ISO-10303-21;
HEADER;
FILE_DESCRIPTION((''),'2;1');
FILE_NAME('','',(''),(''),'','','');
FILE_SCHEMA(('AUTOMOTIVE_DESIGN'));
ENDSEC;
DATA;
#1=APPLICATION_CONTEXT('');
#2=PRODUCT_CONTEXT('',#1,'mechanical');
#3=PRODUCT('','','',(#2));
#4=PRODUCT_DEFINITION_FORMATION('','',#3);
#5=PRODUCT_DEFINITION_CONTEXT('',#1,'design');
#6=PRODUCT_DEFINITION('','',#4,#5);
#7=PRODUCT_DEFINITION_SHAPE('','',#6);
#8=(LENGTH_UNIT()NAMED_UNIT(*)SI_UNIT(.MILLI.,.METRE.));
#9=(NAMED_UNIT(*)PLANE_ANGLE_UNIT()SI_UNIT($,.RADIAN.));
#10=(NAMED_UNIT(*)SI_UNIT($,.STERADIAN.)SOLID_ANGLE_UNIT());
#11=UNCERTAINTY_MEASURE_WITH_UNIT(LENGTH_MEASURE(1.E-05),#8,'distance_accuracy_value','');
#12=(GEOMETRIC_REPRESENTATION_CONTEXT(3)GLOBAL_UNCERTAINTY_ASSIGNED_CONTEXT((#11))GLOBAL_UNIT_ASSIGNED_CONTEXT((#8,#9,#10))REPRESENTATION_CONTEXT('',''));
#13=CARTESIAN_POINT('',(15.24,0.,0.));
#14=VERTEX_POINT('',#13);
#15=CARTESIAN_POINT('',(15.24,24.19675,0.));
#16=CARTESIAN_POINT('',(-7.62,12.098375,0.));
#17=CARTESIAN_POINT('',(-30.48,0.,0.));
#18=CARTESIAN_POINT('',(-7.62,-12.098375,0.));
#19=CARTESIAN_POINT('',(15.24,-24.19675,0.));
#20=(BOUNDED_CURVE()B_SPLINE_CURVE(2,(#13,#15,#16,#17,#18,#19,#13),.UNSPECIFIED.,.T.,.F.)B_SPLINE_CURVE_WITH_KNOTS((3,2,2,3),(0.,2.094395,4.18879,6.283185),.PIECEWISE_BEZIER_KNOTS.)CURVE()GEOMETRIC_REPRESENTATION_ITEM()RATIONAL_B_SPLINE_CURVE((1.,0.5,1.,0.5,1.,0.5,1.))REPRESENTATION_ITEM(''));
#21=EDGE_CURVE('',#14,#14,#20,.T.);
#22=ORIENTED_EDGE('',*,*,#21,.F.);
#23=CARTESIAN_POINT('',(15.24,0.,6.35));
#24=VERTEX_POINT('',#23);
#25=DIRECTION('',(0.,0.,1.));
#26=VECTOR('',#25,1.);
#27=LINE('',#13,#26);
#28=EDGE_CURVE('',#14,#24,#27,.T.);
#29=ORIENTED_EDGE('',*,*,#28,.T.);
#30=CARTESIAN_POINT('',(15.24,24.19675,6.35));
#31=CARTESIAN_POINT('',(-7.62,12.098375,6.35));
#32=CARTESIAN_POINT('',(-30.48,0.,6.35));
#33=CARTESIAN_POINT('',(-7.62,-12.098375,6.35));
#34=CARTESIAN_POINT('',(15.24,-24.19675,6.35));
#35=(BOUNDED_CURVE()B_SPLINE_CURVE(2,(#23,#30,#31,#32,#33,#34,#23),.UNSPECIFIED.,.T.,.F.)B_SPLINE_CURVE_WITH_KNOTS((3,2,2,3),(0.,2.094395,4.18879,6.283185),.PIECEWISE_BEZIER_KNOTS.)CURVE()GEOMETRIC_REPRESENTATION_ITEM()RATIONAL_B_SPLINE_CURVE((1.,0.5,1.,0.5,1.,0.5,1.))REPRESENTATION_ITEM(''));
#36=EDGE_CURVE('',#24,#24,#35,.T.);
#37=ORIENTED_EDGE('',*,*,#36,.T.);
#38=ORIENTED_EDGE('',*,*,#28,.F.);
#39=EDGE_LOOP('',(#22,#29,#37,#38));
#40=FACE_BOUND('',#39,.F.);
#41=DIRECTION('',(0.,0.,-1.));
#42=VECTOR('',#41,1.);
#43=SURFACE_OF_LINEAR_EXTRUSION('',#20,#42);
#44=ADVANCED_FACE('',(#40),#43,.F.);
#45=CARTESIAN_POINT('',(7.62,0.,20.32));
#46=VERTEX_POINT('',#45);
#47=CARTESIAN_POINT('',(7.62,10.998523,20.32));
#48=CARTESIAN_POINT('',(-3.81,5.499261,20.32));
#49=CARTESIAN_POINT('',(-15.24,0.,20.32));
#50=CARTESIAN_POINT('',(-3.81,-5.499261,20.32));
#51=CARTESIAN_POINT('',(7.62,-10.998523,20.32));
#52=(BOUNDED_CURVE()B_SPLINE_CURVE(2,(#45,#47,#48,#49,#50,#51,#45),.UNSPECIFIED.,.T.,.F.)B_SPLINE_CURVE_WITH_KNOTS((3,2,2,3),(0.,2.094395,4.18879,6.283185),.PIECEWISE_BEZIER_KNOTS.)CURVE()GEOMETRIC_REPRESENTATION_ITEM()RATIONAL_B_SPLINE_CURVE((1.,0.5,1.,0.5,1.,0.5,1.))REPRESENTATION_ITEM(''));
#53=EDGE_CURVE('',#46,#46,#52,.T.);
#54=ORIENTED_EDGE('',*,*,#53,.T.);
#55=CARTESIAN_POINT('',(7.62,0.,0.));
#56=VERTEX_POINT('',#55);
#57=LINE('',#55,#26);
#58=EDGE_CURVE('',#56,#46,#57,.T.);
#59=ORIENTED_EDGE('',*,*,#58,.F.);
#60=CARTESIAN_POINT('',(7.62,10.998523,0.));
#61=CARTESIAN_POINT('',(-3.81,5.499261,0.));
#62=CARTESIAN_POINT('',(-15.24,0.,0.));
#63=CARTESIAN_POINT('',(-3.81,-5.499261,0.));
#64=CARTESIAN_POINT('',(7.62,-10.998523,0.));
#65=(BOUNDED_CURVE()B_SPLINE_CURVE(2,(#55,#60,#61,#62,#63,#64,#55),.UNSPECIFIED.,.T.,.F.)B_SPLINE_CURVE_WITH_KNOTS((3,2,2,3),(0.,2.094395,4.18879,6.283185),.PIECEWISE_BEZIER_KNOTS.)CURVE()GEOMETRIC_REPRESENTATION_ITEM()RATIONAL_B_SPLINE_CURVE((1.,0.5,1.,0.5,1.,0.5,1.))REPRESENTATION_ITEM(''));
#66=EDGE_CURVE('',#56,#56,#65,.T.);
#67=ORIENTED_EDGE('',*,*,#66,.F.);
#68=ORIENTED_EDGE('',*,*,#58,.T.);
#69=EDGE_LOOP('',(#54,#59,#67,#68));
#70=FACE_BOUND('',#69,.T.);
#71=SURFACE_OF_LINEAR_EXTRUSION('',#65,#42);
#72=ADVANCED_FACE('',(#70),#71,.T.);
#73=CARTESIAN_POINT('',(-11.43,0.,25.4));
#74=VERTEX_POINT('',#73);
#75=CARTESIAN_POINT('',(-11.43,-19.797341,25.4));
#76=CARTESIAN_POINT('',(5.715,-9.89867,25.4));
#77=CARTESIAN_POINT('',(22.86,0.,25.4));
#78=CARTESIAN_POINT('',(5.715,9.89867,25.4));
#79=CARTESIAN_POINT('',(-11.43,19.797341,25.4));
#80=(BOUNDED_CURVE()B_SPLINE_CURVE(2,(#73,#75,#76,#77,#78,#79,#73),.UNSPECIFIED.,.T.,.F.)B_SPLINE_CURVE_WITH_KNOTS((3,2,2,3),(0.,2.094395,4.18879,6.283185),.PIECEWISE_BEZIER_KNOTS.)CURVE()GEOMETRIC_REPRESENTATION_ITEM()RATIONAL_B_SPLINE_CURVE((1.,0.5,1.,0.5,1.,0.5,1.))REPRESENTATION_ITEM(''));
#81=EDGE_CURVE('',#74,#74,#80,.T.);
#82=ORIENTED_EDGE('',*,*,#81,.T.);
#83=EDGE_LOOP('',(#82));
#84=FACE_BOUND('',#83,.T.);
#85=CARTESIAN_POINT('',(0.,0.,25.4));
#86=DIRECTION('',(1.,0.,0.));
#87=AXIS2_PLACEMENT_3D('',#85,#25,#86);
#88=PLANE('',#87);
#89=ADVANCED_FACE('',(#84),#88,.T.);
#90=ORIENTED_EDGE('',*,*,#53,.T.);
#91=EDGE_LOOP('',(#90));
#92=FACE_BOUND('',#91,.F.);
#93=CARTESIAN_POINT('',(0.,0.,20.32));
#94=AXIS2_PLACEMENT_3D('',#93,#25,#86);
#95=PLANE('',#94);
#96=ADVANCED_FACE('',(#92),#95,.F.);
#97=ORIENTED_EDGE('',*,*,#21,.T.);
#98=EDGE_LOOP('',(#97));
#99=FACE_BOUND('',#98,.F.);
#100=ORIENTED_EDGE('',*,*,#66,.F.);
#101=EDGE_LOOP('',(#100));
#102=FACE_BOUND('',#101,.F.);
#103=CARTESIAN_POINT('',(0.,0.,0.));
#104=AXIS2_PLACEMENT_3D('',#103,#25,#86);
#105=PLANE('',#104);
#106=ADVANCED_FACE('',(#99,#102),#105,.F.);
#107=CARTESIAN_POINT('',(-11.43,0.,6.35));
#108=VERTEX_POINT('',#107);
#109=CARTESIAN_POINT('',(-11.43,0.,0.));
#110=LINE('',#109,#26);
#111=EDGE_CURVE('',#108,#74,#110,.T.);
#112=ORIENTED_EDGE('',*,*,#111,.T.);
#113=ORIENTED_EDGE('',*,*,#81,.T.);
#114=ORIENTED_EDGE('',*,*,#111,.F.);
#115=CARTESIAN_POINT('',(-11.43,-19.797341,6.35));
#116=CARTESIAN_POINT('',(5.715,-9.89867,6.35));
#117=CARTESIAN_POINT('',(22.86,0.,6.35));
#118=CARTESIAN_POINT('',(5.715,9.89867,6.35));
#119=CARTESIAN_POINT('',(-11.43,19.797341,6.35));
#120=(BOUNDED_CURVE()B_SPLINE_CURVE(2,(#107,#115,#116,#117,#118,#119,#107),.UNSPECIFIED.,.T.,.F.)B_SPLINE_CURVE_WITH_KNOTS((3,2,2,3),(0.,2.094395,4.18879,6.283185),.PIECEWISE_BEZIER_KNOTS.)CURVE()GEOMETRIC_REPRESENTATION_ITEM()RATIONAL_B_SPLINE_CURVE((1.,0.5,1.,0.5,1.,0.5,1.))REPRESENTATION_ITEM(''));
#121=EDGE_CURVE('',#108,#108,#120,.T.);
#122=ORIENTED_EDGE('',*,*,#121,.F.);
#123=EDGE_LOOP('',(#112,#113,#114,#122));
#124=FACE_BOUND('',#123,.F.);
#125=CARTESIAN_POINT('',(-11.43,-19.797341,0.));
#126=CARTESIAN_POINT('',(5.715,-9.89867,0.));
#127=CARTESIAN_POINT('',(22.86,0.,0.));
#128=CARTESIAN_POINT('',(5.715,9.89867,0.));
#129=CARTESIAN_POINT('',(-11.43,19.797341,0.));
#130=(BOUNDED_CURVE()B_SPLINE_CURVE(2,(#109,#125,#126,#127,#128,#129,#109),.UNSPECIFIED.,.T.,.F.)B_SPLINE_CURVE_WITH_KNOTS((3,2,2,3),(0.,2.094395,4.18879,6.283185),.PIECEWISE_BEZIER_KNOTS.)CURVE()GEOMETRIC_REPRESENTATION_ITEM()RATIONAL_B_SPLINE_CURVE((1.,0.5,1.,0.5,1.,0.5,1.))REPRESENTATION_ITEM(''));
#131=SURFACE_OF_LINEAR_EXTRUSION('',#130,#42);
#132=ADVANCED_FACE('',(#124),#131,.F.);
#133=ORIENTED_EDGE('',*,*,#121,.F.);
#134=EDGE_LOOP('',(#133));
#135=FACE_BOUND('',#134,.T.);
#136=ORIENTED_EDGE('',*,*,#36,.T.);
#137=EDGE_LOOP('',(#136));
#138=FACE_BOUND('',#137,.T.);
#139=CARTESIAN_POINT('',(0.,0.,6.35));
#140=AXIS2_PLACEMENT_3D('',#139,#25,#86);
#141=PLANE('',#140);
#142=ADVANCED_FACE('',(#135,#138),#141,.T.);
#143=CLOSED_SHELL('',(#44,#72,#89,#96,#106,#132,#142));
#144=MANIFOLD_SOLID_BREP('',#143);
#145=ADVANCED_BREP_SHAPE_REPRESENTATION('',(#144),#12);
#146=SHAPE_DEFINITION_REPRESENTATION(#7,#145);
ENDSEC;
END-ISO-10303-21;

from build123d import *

# Parameters (mm, degrees)
F1_DEPTH = 25.4
F2_DEPTH = 6.35
F3_DEPTH = 20.32


with BuildPart() as f1:
    # F0 (on Top) → F1 (new body)
    with BuildSketch(Plane.XY):
        with BuildLine():
            add(Edge.make_bspline(
                [(-11.43, 0), (-11.43, -19.797341), (5.715, -9.89867), (22.86, 0), (5.715, 9.89867), (-11.43, 19.797341), (-11.43, 0)],
                knots=[0, 0, 0, 2.094395, 2.094395, 4.18879, 4.18879, 6.283185, 6.283185, 6.283185], degree=2, weights=[1, 0.5, 1, 0.5, 1, 0.5, 1]))
        make_face()
        with BuildLine():
            add(Edge.make_bspline(
                [(7.62, 0), (7.62, 10.998523), (-3.81, 5.499261), (-15.24, 0), (-3.81, -5.499261), (7.62, -10.998523), (7.62, 0)],
                knots=[0, 0, 0, 2.094395, 2.094395, 4.18879, 4.18879, 6.283185, 6.283185, 6.283185], degree=2, weights=[1, 0.5, 1, 0.5, 1, 0.5, 1]))
        make_face(mode=Mode.SUBTRACT)
        with BuildLine():
            add(Edge.make_bspline(
                [(7.62, 0), (7.62, 10.998523), (-3.81, 5.499261), (-15.24, 0), (-3.81, -5.499261), (7.62, -10.998523), (7.62, 0)],
                knots=[0, 0, 0, 2.094395, 2.094395, 4.18879, 4.18879, 6.283185, 6.283185, 6.283185], degree=2, weights=[1, 0.5, 1, 0.5, 1, 0.5, 1]))
        make_face()
    extrude(amount=F1_DEPTH)

    # F0 (on Top) → F2 (join)
    with BuildSketch(Plane.XY):
        with BuildLine():
            add(Edge.make_bspline(
                [(15.24, 0), (15.24, 24.19675), (-7.62, 12.098375), (-30.48, 0), (-7.62, -12.098375), (15.24, -24.19675), (15.24, 0)],
                knots=[0, 0, 0, 2.094395, 2.094395, 4.18879, 4.18879, 6.283185, 6.283185, 6.283185], degree=2, weights=[1, 0.5, 1, 0.5, 1, 0.5, 1]))
        make_face()
        with BuildLine():
            add(Edge.make_bspline(
                [(-11.43, 0), (-11.43, -19.797341), (5.715, -9.89867), (22.86, 0), (5.715, 9.89867), (-11.43, 19.797341), (-11.43, 0)],
                knots=[0, 0, 0, 2.094395, 2.094395, 4.18879, 4.18879, 6.283185, 6.283185, 6.283185], degree=2, weights=[1, 0.5, 1, 0.5, 1, 0.5, 1]))
        make_face(mode=Mode.SUBTRACT)
    extrude(amount=F2_DEPTH)

    # F0 (on Top) → F3 (cut)
    with BuildSketch(Plane.XY):
        with BuildLine():
            add(Edge.make_bspline(
                [(7.62, 0), (7.62, 10.998523), (-3.81, 5.499261), (-15.24, 0), (-3.81, -5.499261), (7.62, -10.998523), (7.62, 0)],
                knots=[0, 0, 0, 2.094395, 2.094395, 4.18879, 4.18879, 6.283185, 6.283185, 6.283185], degree=2, weights=[1, 0.5, 1, 0.5, 1, 0.5, 1]))
        make_face()
    extrude(amount=F3_DEPTH, mode=Mode.SUBTRACT)


solid = f1.part
